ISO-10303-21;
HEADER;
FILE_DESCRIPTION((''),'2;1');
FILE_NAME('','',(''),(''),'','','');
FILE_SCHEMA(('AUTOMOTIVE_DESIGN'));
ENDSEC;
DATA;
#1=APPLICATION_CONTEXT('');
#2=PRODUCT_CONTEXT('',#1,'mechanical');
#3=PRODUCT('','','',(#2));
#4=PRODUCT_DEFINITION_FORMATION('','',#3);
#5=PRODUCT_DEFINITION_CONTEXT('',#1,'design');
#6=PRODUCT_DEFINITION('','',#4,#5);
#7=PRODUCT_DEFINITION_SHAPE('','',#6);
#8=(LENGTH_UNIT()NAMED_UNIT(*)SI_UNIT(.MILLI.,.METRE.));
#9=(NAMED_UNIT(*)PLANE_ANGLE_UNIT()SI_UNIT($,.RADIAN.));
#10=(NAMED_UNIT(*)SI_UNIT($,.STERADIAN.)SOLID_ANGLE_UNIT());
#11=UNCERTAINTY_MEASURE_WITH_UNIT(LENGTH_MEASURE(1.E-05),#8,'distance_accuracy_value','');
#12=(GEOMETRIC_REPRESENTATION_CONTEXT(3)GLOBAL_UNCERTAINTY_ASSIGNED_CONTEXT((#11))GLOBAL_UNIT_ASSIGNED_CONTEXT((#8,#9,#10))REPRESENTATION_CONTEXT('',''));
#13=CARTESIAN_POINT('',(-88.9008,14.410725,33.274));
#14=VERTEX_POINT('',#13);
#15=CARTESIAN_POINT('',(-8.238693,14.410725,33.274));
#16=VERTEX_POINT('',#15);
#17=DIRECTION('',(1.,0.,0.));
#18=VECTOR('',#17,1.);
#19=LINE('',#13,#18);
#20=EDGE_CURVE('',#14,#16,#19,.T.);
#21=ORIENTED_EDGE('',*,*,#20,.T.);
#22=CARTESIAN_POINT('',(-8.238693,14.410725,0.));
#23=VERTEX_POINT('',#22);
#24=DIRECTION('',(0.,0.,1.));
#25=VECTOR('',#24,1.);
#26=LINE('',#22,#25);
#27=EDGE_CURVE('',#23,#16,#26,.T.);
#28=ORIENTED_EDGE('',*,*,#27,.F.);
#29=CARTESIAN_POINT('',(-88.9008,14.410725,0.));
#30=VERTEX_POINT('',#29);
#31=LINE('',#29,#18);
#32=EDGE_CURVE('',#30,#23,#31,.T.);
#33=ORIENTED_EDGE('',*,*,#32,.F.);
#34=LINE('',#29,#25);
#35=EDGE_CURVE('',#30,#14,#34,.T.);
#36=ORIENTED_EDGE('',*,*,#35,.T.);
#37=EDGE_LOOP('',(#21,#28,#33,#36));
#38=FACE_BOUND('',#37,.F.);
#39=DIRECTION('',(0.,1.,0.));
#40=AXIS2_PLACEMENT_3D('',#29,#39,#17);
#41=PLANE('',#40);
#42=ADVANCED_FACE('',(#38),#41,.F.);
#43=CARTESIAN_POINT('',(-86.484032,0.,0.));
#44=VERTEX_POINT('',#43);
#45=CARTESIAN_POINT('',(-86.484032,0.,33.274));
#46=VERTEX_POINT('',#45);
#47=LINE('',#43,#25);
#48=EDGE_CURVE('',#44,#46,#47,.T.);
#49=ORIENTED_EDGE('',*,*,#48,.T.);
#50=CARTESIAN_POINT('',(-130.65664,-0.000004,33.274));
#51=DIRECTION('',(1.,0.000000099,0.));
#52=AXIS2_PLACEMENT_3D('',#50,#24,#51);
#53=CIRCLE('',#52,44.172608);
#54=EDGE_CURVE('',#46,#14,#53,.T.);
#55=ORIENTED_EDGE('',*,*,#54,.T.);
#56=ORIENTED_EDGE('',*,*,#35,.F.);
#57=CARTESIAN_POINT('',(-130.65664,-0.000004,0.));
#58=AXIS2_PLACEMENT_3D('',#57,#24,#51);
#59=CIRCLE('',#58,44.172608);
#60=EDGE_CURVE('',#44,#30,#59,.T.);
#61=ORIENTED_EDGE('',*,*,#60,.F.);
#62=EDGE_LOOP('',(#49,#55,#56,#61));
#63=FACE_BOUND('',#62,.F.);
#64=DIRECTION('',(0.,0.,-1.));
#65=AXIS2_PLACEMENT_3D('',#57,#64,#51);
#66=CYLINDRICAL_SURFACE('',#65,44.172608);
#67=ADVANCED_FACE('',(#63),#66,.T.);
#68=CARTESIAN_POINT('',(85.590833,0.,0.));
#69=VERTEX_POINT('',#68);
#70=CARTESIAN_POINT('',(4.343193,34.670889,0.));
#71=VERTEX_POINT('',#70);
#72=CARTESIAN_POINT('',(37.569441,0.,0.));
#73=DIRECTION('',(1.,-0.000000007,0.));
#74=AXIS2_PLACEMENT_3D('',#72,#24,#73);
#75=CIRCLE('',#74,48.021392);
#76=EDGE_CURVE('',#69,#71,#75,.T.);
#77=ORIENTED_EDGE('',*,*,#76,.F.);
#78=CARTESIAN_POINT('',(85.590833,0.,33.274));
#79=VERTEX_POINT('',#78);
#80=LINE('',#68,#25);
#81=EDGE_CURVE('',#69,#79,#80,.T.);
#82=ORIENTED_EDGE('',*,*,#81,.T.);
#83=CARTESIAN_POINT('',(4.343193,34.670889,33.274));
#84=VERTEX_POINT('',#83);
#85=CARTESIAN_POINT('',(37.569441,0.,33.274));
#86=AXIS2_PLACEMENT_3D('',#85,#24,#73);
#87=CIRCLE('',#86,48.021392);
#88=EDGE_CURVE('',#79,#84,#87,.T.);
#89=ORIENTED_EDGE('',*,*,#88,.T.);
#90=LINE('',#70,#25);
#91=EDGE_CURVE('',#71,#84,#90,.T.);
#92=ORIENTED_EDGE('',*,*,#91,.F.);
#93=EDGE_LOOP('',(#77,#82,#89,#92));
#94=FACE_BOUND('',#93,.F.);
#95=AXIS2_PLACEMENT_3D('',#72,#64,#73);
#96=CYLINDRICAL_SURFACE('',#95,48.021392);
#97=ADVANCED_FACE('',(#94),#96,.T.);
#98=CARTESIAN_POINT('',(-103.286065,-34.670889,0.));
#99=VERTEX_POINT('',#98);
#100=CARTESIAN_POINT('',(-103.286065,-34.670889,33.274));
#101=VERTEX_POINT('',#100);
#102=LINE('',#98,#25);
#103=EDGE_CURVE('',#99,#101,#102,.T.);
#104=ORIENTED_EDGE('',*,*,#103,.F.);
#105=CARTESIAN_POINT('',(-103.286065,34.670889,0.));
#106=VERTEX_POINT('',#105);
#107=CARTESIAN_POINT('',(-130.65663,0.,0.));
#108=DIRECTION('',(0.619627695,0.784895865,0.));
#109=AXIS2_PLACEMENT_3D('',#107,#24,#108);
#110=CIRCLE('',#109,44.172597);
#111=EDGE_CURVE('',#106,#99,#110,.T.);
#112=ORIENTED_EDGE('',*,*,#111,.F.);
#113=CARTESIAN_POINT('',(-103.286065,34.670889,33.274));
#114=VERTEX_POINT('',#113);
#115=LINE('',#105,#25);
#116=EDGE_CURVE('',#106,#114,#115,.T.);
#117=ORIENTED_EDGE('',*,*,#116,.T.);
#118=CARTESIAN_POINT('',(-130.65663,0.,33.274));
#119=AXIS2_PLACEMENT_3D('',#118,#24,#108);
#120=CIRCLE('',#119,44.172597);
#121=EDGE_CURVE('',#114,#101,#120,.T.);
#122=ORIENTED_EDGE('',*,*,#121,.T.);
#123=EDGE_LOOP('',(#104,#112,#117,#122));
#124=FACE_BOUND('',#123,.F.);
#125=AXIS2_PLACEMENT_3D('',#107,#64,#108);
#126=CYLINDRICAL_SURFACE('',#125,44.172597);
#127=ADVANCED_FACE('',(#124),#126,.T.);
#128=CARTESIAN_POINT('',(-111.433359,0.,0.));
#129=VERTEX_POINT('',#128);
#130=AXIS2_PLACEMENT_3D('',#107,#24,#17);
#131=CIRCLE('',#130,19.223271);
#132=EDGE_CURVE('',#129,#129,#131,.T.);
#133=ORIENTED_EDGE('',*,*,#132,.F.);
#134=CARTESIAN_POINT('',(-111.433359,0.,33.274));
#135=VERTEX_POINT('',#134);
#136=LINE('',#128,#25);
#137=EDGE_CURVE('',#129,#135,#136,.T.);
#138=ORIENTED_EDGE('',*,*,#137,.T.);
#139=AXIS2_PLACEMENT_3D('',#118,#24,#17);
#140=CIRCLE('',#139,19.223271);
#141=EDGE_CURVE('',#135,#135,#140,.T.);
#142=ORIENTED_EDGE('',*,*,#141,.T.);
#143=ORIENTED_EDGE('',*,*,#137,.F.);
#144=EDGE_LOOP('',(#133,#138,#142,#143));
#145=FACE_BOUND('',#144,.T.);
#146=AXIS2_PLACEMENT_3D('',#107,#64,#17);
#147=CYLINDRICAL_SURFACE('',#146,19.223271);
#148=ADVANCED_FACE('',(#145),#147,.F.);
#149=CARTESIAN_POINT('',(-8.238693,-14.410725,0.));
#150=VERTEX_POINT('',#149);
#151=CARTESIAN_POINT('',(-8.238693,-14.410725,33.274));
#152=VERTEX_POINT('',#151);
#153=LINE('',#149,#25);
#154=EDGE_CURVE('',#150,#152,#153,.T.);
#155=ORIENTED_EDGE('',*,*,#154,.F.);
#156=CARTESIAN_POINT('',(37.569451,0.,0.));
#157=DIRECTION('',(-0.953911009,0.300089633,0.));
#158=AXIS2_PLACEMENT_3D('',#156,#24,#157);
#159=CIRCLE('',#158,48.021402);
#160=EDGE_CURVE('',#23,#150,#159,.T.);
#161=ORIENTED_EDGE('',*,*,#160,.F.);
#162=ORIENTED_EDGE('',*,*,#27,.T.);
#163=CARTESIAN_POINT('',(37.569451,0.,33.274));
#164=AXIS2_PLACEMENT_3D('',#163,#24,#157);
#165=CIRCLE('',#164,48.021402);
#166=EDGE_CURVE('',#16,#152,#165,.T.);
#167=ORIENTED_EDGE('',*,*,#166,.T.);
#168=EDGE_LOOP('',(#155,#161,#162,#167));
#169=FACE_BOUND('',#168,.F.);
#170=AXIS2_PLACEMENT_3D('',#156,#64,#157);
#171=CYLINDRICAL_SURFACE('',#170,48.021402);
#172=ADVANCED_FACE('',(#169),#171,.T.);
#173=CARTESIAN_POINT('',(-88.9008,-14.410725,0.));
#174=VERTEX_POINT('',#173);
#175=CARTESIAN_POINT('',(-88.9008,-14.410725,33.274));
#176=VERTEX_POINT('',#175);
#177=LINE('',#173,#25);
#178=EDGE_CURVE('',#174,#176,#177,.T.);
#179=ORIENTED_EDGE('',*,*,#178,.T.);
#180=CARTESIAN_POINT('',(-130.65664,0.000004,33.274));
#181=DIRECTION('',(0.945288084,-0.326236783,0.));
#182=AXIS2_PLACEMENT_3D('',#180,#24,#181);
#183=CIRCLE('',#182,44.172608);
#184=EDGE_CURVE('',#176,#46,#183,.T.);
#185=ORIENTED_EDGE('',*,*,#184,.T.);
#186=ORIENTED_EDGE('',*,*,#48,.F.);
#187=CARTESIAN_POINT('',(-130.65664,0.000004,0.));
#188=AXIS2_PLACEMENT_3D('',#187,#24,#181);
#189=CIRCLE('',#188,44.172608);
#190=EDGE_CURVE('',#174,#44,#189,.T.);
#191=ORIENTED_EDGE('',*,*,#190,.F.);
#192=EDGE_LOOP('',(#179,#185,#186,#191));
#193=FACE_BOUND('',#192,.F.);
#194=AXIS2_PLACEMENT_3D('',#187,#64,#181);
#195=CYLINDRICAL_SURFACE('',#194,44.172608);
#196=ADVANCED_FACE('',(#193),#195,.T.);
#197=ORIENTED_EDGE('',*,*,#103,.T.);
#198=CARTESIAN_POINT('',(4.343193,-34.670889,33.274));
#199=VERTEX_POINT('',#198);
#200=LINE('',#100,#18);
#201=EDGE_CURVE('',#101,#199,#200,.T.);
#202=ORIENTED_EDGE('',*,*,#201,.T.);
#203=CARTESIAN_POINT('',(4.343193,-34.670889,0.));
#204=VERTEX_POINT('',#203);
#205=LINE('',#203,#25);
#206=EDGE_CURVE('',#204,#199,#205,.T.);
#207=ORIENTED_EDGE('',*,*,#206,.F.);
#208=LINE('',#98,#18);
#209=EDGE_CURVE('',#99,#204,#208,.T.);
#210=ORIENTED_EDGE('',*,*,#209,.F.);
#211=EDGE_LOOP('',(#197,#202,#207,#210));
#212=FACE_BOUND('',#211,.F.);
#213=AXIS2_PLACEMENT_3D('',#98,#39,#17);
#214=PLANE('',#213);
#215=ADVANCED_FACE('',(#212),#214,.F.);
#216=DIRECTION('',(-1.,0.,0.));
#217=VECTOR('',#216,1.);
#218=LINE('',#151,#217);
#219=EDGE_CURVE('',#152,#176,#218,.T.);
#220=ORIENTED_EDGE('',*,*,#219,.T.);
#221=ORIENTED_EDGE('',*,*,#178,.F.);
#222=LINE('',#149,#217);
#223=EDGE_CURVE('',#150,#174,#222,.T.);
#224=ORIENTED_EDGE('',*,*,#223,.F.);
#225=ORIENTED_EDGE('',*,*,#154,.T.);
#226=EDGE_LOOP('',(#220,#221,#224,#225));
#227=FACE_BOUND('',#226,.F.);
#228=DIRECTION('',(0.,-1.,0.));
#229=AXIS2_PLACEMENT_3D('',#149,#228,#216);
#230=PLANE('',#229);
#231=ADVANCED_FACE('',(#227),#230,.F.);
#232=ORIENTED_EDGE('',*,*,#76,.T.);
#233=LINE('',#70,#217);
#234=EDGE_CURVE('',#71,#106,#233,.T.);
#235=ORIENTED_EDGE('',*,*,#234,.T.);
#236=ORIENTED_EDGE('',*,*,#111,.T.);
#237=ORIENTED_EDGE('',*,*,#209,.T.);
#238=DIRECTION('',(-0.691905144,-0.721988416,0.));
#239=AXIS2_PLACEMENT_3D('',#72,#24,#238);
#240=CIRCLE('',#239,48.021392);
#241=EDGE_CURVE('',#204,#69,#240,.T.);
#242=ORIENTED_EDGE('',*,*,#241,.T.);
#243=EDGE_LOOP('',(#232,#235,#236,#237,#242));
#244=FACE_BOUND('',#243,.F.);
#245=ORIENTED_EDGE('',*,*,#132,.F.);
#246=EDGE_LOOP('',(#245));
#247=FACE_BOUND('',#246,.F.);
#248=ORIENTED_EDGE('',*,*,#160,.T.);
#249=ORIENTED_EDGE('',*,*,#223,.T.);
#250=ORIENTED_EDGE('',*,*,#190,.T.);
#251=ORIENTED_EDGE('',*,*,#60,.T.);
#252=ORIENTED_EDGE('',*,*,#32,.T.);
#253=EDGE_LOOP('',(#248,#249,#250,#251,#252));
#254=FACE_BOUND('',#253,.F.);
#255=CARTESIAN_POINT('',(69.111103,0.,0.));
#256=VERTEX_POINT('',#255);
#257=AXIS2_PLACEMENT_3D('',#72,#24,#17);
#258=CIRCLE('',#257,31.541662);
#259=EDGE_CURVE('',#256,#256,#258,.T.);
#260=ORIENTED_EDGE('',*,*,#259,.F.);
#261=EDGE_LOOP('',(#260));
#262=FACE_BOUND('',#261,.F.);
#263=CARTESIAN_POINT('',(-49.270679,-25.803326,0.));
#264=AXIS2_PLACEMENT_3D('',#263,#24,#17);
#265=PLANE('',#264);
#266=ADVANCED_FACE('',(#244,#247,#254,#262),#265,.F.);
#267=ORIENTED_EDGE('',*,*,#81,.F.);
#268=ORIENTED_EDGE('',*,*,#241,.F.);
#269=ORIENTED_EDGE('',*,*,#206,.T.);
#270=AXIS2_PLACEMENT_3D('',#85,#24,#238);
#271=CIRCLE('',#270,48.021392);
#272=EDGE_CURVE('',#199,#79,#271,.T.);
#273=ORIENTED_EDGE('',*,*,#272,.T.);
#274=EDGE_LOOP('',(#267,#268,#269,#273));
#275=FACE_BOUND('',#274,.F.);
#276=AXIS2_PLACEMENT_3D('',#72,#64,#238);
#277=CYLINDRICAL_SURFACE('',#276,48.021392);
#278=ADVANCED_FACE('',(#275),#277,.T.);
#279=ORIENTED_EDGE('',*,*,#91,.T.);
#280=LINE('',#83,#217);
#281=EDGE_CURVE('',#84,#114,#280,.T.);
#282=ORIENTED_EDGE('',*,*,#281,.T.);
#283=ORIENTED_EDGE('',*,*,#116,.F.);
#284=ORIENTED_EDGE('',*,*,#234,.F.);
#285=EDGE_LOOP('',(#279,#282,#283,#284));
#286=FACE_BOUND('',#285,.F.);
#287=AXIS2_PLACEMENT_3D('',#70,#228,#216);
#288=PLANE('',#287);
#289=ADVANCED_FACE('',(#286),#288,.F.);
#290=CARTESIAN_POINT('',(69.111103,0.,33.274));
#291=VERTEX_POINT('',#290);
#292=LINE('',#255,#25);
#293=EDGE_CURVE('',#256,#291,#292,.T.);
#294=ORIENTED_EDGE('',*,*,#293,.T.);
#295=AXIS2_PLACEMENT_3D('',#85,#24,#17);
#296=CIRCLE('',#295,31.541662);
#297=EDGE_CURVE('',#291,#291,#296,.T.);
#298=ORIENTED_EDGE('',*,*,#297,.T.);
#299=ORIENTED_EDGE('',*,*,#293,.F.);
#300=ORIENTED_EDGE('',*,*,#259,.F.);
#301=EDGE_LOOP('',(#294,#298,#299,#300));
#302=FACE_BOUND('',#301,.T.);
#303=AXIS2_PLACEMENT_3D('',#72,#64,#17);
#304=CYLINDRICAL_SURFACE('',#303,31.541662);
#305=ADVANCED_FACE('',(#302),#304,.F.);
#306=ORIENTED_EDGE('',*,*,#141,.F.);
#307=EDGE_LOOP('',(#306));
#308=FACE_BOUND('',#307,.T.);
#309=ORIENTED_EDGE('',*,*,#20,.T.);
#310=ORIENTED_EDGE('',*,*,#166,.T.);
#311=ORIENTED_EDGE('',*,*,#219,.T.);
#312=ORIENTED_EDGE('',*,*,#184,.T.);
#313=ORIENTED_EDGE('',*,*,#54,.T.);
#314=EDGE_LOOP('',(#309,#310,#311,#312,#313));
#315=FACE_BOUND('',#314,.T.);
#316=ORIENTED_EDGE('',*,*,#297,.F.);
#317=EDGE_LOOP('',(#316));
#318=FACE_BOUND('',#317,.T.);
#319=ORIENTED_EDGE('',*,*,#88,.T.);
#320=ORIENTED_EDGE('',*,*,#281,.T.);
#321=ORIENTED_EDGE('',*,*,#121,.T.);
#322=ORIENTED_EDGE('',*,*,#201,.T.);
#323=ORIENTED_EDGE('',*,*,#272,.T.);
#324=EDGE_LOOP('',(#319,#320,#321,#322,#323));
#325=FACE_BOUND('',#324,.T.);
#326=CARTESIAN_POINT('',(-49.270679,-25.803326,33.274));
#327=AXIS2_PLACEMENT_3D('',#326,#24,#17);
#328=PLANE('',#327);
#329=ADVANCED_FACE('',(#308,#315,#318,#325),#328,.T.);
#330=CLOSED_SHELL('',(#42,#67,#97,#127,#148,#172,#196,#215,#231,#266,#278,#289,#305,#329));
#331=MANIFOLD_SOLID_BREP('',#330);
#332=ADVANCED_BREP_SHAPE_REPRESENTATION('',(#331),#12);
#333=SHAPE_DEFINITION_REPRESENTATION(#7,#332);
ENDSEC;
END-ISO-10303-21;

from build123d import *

# Parameters (mm, degrees)
F0_R     = 19.223271
F0_R_2   = 31.541662
F1_DEPTH = 33.274


with BuildPart() as f1:
    # F0 (on Top) → F1 (new body)
    with BuildSketch(Plane.XY):
        with BuildLine():
            Line((-8.238693, -14.410725), (-88.9008, -14.410725))
            ThreePointArc((-88.9008, -14.410725), (-94.639506, -25.573134), (-103.286065, -34.670889))
            Line((-103.286065, -34.670889), (4.343193, -34.670889))
            ThreePointArc((4.343193, -34.670889), (-3.225496, -25.334308), (-8.238693, -14.410725))
        make_face()
        with BuildLine():
            ThreePointArc((-103.286065, 34.670889), (-94.639506, 25.573134), (-88.9008, 14.410725))
            Line((-88.9008, 14.410725), (-8.238693, 14.410725))
            ThreePointArc((-8.238693, 14.410725), (-3.225496, 25.334308), (4.343193, 34.670889))
            Line((4.343193, 34.670889), (-103.286065, 34.670889))
        make_face()
        with BuildLine():
            ThreePointArc((4.343193, 34.670889), (-3.225496, 25.334308), (-8.238693, 14.410725))
            ThreePointArc((-8.238693, 14.410725), (-10.451951, 0), (-8.238693, -14.410725))
            ThreePointArc((-8.238693, -14.410725), (-3.225496, -25.334308), (4.343193, -34.670889))
            Line((4.343193, -34.670889), (4.343193, 34.670889))
        make_face()
        with BuildLine():
            ThreePointArc((-88.9008, -14.410725), (-87.092414, -7.305987), (-86.484032, 0))
            ThreePointArc((-86.484032, 0), (-87.092414, 7.305987), (-88.9008, 14.410725))
            ThreePointArc((-88.9008, 14.410725), (-94.639506, 25.573134), (-103.286065, 34.670889))
            Line((-103.286065, 34.670889), (-103.286065, -34.670889))
            ThreePointArc((-103.286065, -34.670889), (-94.639506, -25.573134), (-88.9008, -14.410725))
        make_face()
        with BuildLine():
            Line((-103.286065, -34.670889), (-103.286065, 34.670889))
            ThreePointArc((-103.286065, 34.670889), (-174.829227, 0), (-103.286065, -34.670889))
        make_face()
        with Locations((-130.65663, 0)):
            Circle(F0_R, mode=Mode.SUBTRACT)
        with BuildLine():
            ThreePointArc((85.590833, 0), (56.417298, 44.168002), (4.343193, 34.670889))
            Line((4.343193, 34.670889), (4.343193, -34.670889))
            ThreePointArc((4.343193, -34.670889), (56.417298, -44.168002), (85.590833, 0))
        make_face()
        with Locations((37.569441, 0)):
            Circle(F0_R_2, mode=Mode.SUBTRACT)
    extrude(amount=F1_DEPTH)


solid = f1.part
